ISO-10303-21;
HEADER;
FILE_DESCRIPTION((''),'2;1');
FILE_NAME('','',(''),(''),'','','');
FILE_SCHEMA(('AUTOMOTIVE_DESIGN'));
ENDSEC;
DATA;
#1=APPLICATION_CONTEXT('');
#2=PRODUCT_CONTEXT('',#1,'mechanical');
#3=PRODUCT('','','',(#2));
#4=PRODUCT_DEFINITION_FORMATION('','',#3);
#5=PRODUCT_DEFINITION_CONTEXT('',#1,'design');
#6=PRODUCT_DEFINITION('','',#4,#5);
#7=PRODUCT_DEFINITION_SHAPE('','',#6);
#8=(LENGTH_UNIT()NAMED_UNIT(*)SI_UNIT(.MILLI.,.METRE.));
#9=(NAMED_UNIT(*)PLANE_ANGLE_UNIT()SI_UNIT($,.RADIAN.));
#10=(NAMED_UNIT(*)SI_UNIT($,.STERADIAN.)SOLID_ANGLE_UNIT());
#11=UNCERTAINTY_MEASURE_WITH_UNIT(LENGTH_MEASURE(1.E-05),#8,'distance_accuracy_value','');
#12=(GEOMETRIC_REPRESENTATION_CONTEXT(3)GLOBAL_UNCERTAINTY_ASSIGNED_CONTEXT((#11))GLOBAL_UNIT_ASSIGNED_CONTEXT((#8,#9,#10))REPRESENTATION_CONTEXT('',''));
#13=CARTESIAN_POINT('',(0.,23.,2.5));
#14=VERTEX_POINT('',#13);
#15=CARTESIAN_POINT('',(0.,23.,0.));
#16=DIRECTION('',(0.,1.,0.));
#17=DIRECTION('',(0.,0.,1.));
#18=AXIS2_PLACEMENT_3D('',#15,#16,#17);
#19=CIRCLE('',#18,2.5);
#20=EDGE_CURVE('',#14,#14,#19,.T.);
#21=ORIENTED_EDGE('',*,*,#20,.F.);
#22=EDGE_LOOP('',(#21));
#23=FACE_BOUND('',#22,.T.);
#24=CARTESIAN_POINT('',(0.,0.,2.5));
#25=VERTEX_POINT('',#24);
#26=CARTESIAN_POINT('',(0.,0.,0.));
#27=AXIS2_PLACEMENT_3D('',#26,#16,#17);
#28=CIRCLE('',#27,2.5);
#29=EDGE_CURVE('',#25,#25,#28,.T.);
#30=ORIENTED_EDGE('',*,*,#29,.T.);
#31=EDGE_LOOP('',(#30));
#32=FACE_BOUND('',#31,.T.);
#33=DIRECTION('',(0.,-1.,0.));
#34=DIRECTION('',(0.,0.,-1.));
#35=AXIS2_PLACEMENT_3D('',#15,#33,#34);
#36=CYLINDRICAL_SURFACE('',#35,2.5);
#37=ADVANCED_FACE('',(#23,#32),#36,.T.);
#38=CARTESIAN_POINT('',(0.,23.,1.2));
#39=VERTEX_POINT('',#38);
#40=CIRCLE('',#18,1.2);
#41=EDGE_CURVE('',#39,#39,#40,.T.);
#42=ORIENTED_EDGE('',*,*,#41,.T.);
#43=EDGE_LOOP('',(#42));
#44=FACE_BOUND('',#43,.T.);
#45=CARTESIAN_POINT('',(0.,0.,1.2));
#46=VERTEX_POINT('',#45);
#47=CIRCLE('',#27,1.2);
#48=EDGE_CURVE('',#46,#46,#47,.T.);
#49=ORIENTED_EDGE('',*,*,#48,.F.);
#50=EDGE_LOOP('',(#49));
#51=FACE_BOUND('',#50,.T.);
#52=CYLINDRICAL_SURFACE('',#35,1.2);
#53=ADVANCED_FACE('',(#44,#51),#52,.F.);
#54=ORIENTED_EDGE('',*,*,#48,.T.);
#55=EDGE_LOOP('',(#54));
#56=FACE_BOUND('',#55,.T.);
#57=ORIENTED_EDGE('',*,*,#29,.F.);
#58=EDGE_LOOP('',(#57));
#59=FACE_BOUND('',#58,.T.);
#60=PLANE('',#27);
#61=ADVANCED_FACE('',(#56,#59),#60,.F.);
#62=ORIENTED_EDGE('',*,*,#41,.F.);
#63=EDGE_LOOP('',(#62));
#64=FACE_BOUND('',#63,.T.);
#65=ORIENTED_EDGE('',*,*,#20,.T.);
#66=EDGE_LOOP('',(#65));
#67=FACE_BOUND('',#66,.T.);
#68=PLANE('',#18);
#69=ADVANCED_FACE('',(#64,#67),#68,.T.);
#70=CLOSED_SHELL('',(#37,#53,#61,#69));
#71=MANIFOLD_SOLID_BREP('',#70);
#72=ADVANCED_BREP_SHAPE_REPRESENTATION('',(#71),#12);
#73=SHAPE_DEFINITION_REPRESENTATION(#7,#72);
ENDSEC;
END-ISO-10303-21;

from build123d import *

# Parameters (mm, degrees)
SKETCH1_R           = 2.5
SKETCH1_R_2         = 1.2
BOSS_EXTRUDE1_DEPTH = 23


with BuildPart() as part:
    # Sketch1 → Boss-Extrude1 (new body)
    with BuildSketch(Plane(origin=(0, 0, 0), x_dir=(1, 0, 0), z_dir=(0, 1, 0))):
        Circle(SKETCH1_R)
        Circle(SKETCH1_R_2, mode=Mode.SUBTRACT)
    extrude(amount=BOSS_EXTRUDE1_DEPTH)


solid = part.part
